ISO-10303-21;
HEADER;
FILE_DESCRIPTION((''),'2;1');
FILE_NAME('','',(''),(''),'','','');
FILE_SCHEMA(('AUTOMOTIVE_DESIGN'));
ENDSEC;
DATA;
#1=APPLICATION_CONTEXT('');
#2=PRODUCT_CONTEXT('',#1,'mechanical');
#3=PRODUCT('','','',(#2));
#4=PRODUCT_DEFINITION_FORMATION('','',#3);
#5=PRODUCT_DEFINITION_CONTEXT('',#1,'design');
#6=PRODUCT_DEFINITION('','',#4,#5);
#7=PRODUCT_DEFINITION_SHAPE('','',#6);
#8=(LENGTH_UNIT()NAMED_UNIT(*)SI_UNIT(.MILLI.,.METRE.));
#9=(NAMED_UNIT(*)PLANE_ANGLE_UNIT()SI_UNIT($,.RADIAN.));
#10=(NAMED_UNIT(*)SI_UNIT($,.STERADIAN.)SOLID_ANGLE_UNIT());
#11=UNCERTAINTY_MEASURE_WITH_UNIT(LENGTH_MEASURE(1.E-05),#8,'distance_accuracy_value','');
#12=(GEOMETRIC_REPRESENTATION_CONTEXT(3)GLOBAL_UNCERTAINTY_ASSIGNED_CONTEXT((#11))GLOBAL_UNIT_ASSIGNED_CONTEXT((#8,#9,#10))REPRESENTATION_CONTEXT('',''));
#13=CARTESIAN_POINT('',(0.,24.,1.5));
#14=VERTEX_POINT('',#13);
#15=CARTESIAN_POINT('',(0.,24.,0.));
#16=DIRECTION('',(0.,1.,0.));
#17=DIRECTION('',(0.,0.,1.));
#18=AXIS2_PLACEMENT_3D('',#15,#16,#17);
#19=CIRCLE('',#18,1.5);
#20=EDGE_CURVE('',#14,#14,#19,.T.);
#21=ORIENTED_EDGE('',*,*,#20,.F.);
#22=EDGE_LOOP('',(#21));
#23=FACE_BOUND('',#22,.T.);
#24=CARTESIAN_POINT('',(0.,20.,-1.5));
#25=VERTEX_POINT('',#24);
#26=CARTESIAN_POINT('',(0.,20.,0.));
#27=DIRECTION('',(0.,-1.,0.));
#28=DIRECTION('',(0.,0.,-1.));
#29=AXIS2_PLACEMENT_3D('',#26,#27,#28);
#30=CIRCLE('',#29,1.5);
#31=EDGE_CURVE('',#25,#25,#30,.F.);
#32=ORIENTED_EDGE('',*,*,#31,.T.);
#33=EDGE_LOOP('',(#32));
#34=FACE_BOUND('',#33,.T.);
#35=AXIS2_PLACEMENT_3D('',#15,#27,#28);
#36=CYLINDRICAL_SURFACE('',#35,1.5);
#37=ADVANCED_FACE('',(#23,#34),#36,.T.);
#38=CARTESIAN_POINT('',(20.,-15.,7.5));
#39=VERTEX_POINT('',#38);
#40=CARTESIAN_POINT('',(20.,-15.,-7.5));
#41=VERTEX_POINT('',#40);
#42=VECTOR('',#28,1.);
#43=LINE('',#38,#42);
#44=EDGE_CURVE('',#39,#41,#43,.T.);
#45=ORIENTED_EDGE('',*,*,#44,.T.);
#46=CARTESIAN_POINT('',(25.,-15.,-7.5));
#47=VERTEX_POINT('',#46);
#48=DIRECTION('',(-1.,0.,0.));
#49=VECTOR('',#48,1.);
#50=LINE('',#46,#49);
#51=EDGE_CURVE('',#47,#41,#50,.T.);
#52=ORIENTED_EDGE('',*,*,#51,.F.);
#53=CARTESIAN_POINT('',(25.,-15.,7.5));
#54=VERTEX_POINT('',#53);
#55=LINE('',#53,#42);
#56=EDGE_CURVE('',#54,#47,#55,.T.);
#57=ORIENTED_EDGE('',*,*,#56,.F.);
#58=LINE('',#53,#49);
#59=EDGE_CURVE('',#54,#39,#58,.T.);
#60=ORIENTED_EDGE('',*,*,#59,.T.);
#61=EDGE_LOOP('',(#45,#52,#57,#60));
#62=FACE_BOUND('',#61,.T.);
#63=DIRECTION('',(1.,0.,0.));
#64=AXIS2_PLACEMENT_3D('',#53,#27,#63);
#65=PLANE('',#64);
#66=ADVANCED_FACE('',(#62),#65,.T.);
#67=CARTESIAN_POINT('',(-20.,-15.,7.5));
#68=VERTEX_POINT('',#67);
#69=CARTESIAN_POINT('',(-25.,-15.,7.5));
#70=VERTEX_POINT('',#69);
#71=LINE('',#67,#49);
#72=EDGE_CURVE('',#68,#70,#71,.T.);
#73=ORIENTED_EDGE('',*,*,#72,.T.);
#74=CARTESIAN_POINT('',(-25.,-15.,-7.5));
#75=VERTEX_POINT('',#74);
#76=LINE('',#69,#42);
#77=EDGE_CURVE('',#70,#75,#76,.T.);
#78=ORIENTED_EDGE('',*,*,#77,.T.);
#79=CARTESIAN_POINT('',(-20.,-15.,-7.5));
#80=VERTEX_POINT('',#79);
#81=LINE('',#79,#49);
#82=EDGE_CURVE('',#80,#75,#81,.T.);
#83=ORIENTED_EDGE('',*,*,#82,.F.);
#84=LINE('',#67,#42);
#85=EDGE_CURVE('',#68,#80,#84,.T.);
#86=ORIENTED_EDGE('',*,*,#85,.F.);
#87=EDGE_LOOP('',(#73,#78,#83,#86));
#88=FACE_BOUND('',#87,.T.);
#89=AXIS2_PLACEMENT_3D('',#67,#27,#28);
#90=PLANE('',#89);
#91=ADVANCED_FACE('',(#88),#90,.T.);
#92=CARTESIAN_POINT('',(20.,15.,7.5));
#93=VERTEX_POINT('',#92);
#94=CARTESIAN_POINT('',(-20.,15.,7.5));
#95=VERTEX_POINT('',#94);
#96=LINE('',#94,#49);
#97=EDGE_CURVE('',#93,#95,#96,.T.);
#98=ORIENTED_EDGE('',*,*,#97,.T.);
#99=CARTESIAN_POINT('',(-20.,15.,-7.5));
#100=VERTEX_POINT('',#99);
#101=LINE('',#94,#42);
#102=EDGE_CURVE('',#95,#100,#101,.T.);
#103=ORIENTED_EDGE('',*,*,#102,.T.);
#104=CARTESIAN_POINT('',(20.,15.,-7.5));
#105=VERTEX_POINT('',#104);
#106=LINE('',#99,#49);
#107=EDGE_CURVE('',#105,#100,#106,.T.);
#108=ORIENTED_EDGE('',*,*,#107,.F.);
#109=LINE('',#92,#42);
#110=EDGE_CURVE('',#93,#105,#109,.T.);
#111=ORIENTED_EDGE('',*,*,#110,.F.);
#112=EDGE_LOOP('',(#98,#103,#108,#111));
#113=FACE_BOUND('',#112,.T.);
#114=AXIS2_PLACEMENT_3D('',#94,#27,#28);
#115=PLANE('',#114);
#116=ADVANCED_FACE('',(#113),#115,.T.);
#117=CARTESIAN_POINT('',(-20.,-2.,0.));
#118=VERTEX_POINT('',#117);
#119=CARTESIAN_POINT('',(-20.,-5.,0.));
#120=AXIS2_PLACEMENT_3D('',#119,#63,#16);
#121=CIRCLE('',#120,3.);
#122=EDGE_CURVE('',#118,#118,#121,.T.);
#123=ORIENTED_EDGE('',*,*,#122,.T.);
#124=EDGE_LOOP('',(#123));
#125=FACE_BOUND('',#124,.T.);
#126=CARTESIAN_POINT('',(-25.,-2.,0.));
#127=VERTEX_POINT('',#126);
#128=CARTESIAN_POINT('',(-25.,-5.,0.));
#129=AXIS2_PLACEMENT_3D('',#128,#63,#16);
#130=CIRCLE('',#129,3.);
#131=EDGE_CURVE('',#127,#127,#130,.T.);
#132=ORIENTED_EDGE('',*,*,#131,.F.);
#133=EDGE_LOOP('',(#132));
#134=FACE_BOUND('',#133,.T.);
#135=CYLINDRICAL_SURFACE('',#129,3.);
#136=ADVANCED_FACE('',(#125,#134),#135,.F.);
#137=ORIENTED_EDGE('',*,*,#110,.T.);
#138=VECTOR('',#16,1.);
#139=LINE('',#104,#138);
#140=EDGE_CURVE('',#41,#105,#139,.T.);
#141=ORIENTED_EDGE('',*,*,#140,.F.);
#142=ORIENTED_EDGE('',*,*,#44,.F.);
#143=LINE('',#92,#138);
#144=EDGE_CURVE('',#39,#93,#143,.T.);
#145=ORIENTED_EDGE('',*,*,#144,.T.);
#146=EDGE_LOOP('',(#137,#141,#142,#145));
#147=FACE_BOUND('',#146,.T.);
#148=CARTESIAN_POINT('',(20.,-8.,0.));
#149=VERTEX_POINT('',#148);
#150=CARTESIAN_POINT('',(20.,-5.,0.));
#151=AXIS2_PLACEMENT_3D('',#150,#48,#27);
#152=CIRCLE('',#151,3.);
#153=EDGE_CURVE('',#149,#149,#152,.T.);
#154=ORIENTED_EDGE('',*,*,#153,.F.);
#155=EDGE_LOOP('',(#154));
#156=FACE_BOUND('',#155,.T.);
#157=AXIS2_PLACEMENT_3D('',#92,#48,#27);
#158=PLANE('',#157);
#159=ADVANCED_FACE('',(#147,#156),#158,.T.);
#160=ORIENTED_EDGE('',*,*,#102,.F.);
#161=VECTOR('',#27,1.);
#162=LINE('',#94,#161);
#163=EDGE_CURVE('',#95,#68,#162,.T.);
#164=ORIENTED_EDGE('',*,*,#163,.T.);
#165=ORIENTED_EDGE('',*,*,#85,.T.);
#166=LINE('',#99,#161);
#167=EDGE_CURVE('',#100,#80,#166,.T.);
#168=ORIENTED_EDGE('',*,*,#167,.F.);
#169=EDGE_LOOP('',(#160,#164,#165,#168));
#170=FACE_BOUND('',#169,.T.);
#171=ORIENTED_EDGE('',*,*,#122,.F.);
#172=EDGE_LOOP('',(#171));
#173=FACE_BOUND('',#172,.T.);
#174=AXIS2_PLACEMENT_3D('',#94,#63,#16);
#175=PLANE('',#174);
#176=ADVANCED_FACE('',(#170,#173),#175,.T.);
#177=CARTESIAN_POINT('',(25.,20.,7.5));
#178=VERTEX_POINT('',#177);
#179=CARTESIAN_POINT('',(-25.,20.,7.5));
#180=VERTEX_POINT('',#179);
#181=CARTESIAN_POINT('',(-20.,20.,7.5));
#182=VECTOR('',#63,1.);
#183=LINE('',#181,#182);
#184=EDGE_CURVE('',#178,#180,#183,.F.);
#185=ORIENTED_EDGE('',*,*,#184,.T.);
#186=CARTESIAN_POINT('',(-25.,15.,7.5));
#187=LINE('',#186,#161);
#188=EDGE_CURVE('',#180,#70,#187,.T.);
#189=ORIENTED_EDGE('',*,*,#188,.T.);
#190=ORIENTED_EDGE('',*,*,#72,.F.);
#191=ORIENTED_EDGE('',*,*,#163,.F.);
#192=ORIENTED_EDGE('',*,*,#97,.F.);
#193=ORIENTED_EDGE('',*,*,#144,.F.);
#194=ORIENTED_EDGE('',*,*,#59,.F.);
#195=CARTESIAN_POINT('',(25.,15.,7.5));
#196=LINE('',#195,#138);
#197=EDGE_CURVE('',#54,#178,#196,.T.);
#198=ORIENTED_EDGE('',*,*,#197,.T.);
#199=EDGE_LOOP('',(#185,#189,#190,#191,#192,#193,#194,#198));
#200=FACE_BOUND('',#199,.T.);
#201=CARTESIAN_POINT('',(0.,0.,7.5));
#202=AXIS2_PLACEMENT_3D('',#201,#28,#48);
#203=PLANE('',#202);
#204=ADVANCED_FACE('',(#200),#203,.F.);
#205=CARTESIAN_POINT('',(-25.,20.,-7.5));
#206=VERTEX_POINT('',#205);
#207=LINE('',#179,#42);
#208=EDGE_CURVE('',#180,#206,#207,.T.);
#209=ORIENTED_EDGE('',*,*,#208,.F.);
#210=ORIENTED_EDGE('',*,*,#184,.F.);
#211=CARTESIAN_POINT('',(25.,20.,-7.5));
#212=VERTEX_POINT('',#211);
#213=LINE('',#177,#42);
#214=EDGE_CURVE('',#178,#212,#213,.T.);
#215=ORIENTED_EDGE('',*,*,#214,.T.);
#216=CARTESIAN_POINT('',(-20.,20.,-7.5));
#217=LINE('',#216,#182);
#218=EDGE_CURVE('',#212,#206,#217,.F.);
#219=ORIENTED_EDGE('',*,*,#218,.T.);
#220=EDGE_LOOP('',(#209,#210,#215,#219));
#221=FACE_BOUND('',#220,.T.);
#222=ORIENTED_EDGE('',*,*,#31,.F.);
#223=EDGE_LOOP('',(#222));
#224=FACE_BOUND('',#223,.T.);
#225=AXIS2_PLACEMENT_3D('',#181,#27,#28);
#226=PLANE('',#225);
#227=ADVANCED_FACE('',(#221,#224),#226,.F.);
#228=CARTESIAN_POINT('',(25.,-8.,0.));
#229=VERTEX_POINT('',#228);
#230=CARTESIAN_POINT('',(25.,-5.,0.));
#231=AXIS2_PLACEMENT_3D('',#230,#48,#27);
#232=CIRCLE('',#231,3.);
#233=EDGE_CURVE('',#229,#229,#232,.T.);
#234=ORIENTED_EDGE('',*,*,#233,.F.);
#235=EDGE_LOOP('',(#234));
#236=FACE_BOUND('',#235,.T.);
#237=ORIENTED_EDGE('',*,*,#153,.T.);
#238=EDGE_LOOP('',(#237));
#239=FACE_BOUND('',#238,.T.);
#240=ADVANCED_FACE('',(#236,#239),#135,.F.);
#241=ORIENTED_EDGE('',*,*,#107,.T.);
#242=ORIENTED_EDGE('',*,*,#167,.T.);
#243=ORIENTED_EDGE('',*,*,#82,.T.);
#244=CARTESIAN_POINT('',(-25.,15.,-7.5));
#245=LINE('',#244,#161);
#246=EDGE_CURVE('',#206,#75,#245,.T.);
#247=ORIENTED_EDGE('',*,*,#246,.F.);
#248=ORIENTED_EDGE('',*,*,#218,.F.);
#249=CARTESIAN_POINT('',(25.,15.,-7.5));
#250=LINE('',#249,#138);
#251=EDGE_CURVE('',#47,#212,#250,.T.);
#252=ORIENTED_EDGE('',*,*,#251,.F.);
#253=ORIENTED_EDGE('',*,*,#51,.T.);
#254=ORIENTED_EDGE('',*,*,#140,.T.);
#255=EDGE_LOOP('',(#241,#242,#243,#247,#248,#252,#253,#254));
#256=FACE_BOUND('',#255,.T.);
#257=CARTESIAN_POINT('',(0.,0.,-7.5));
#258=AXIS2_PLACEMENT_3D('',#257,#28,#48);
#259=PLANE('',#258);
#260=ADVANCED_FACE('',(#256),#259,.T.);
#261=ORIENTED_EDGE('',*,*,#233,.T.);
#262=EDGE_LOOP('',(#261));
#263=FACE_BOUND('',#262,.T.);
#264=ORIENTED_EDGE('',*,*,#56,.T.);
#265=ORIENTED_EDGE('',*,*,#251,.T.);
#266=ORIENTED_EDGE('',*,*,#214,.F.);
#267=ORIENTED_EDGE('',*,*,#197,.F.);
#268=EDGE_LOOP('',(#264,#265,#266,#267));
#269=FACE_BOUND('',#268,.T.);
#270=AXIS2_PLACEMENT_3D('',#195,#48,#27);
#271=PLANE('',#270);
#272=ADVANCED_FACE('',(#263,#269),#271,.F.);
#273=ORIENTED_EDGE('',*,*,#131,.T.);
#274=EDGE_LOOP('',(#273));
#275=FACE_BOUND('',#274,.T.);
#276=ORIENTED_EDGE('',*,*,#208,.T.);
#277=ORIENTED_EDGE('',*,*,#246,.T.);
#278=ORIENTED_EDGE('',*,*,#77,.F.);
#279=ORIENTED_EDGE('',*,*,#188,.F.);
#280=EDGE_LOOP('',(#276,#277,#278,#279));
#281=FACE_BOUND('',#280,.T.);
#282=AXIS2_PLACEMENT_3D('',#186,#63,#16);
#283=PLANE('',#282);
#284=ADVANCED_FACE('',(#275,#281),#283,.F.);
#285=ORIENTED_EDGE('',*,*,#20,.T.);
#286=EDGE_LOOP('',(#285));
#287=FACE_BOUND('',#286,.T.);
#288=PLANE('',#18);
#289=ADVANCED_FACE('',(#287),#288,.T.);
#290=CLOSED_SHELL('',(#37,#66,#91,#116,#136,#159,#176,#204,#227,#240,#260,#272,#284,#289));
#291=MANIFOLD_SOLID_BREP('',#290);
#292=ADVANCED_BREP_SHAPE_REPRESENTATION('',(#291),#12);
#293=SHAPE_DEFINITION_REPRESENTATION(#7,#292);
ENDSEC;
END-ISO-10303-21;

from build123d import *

# Parameters (mm, degrees)
EXTRUDE_THIN1_DEPTH     = 7.5
SKETCH2_R               = 1.5
BOSS_EXTRUDE1_DEPTH     = 4
SKETCH3_R               = 3
CUT_EXTRUDE1_DEPTH      = 1
CUT_EXTRUDE1_DEPTH_BACK = 51


with BuildPart() as part:
    # Sketch1 → Extrude-Thin1 (new body, symmetric)
    with BuildSketch(Plane.XY):
        Polygon((-20, -15), (-20, 15), (20, 15), (20, -15), (25, -15), (25, 20), (-25, 20), (-25, -15), align=None)
    extrude(amount=EXTRUDE_THIN1_DEPTH, both=True)

    # Sketch2 → Boss-Extrude1 (add)
    with BuildSketch(Plane(origin=(0, 20, 0), x_dir=(1, 0, 0), z_dir=(0, 1, 0))):
        Circle(SKETCH2_R)
    extrude(amount=BOSS_EXTRUDE1_DEPTH)

    # Sketch3 → Cut-Extrude1 (cut, two sides)
    with BuildSketch(Plane(origin=(25, 0, 0), x_dir=(0, 0, -1), z_dir=(1, 0, 0))) as cut_extrude1_sk:
        with Locations((0, -5)):
            Circle(SKETCH3_R)
    extrude(amount=CUT_EXTRUDE1_DEPTH, mode=Mode.SUBTRACT)
    extrude(cut_extrude1_sk.sketch, amount=-CUT_EXTRUDE1_DEPTH_BACK, mode=Mode.SUBTRACT)


solid = part.part
